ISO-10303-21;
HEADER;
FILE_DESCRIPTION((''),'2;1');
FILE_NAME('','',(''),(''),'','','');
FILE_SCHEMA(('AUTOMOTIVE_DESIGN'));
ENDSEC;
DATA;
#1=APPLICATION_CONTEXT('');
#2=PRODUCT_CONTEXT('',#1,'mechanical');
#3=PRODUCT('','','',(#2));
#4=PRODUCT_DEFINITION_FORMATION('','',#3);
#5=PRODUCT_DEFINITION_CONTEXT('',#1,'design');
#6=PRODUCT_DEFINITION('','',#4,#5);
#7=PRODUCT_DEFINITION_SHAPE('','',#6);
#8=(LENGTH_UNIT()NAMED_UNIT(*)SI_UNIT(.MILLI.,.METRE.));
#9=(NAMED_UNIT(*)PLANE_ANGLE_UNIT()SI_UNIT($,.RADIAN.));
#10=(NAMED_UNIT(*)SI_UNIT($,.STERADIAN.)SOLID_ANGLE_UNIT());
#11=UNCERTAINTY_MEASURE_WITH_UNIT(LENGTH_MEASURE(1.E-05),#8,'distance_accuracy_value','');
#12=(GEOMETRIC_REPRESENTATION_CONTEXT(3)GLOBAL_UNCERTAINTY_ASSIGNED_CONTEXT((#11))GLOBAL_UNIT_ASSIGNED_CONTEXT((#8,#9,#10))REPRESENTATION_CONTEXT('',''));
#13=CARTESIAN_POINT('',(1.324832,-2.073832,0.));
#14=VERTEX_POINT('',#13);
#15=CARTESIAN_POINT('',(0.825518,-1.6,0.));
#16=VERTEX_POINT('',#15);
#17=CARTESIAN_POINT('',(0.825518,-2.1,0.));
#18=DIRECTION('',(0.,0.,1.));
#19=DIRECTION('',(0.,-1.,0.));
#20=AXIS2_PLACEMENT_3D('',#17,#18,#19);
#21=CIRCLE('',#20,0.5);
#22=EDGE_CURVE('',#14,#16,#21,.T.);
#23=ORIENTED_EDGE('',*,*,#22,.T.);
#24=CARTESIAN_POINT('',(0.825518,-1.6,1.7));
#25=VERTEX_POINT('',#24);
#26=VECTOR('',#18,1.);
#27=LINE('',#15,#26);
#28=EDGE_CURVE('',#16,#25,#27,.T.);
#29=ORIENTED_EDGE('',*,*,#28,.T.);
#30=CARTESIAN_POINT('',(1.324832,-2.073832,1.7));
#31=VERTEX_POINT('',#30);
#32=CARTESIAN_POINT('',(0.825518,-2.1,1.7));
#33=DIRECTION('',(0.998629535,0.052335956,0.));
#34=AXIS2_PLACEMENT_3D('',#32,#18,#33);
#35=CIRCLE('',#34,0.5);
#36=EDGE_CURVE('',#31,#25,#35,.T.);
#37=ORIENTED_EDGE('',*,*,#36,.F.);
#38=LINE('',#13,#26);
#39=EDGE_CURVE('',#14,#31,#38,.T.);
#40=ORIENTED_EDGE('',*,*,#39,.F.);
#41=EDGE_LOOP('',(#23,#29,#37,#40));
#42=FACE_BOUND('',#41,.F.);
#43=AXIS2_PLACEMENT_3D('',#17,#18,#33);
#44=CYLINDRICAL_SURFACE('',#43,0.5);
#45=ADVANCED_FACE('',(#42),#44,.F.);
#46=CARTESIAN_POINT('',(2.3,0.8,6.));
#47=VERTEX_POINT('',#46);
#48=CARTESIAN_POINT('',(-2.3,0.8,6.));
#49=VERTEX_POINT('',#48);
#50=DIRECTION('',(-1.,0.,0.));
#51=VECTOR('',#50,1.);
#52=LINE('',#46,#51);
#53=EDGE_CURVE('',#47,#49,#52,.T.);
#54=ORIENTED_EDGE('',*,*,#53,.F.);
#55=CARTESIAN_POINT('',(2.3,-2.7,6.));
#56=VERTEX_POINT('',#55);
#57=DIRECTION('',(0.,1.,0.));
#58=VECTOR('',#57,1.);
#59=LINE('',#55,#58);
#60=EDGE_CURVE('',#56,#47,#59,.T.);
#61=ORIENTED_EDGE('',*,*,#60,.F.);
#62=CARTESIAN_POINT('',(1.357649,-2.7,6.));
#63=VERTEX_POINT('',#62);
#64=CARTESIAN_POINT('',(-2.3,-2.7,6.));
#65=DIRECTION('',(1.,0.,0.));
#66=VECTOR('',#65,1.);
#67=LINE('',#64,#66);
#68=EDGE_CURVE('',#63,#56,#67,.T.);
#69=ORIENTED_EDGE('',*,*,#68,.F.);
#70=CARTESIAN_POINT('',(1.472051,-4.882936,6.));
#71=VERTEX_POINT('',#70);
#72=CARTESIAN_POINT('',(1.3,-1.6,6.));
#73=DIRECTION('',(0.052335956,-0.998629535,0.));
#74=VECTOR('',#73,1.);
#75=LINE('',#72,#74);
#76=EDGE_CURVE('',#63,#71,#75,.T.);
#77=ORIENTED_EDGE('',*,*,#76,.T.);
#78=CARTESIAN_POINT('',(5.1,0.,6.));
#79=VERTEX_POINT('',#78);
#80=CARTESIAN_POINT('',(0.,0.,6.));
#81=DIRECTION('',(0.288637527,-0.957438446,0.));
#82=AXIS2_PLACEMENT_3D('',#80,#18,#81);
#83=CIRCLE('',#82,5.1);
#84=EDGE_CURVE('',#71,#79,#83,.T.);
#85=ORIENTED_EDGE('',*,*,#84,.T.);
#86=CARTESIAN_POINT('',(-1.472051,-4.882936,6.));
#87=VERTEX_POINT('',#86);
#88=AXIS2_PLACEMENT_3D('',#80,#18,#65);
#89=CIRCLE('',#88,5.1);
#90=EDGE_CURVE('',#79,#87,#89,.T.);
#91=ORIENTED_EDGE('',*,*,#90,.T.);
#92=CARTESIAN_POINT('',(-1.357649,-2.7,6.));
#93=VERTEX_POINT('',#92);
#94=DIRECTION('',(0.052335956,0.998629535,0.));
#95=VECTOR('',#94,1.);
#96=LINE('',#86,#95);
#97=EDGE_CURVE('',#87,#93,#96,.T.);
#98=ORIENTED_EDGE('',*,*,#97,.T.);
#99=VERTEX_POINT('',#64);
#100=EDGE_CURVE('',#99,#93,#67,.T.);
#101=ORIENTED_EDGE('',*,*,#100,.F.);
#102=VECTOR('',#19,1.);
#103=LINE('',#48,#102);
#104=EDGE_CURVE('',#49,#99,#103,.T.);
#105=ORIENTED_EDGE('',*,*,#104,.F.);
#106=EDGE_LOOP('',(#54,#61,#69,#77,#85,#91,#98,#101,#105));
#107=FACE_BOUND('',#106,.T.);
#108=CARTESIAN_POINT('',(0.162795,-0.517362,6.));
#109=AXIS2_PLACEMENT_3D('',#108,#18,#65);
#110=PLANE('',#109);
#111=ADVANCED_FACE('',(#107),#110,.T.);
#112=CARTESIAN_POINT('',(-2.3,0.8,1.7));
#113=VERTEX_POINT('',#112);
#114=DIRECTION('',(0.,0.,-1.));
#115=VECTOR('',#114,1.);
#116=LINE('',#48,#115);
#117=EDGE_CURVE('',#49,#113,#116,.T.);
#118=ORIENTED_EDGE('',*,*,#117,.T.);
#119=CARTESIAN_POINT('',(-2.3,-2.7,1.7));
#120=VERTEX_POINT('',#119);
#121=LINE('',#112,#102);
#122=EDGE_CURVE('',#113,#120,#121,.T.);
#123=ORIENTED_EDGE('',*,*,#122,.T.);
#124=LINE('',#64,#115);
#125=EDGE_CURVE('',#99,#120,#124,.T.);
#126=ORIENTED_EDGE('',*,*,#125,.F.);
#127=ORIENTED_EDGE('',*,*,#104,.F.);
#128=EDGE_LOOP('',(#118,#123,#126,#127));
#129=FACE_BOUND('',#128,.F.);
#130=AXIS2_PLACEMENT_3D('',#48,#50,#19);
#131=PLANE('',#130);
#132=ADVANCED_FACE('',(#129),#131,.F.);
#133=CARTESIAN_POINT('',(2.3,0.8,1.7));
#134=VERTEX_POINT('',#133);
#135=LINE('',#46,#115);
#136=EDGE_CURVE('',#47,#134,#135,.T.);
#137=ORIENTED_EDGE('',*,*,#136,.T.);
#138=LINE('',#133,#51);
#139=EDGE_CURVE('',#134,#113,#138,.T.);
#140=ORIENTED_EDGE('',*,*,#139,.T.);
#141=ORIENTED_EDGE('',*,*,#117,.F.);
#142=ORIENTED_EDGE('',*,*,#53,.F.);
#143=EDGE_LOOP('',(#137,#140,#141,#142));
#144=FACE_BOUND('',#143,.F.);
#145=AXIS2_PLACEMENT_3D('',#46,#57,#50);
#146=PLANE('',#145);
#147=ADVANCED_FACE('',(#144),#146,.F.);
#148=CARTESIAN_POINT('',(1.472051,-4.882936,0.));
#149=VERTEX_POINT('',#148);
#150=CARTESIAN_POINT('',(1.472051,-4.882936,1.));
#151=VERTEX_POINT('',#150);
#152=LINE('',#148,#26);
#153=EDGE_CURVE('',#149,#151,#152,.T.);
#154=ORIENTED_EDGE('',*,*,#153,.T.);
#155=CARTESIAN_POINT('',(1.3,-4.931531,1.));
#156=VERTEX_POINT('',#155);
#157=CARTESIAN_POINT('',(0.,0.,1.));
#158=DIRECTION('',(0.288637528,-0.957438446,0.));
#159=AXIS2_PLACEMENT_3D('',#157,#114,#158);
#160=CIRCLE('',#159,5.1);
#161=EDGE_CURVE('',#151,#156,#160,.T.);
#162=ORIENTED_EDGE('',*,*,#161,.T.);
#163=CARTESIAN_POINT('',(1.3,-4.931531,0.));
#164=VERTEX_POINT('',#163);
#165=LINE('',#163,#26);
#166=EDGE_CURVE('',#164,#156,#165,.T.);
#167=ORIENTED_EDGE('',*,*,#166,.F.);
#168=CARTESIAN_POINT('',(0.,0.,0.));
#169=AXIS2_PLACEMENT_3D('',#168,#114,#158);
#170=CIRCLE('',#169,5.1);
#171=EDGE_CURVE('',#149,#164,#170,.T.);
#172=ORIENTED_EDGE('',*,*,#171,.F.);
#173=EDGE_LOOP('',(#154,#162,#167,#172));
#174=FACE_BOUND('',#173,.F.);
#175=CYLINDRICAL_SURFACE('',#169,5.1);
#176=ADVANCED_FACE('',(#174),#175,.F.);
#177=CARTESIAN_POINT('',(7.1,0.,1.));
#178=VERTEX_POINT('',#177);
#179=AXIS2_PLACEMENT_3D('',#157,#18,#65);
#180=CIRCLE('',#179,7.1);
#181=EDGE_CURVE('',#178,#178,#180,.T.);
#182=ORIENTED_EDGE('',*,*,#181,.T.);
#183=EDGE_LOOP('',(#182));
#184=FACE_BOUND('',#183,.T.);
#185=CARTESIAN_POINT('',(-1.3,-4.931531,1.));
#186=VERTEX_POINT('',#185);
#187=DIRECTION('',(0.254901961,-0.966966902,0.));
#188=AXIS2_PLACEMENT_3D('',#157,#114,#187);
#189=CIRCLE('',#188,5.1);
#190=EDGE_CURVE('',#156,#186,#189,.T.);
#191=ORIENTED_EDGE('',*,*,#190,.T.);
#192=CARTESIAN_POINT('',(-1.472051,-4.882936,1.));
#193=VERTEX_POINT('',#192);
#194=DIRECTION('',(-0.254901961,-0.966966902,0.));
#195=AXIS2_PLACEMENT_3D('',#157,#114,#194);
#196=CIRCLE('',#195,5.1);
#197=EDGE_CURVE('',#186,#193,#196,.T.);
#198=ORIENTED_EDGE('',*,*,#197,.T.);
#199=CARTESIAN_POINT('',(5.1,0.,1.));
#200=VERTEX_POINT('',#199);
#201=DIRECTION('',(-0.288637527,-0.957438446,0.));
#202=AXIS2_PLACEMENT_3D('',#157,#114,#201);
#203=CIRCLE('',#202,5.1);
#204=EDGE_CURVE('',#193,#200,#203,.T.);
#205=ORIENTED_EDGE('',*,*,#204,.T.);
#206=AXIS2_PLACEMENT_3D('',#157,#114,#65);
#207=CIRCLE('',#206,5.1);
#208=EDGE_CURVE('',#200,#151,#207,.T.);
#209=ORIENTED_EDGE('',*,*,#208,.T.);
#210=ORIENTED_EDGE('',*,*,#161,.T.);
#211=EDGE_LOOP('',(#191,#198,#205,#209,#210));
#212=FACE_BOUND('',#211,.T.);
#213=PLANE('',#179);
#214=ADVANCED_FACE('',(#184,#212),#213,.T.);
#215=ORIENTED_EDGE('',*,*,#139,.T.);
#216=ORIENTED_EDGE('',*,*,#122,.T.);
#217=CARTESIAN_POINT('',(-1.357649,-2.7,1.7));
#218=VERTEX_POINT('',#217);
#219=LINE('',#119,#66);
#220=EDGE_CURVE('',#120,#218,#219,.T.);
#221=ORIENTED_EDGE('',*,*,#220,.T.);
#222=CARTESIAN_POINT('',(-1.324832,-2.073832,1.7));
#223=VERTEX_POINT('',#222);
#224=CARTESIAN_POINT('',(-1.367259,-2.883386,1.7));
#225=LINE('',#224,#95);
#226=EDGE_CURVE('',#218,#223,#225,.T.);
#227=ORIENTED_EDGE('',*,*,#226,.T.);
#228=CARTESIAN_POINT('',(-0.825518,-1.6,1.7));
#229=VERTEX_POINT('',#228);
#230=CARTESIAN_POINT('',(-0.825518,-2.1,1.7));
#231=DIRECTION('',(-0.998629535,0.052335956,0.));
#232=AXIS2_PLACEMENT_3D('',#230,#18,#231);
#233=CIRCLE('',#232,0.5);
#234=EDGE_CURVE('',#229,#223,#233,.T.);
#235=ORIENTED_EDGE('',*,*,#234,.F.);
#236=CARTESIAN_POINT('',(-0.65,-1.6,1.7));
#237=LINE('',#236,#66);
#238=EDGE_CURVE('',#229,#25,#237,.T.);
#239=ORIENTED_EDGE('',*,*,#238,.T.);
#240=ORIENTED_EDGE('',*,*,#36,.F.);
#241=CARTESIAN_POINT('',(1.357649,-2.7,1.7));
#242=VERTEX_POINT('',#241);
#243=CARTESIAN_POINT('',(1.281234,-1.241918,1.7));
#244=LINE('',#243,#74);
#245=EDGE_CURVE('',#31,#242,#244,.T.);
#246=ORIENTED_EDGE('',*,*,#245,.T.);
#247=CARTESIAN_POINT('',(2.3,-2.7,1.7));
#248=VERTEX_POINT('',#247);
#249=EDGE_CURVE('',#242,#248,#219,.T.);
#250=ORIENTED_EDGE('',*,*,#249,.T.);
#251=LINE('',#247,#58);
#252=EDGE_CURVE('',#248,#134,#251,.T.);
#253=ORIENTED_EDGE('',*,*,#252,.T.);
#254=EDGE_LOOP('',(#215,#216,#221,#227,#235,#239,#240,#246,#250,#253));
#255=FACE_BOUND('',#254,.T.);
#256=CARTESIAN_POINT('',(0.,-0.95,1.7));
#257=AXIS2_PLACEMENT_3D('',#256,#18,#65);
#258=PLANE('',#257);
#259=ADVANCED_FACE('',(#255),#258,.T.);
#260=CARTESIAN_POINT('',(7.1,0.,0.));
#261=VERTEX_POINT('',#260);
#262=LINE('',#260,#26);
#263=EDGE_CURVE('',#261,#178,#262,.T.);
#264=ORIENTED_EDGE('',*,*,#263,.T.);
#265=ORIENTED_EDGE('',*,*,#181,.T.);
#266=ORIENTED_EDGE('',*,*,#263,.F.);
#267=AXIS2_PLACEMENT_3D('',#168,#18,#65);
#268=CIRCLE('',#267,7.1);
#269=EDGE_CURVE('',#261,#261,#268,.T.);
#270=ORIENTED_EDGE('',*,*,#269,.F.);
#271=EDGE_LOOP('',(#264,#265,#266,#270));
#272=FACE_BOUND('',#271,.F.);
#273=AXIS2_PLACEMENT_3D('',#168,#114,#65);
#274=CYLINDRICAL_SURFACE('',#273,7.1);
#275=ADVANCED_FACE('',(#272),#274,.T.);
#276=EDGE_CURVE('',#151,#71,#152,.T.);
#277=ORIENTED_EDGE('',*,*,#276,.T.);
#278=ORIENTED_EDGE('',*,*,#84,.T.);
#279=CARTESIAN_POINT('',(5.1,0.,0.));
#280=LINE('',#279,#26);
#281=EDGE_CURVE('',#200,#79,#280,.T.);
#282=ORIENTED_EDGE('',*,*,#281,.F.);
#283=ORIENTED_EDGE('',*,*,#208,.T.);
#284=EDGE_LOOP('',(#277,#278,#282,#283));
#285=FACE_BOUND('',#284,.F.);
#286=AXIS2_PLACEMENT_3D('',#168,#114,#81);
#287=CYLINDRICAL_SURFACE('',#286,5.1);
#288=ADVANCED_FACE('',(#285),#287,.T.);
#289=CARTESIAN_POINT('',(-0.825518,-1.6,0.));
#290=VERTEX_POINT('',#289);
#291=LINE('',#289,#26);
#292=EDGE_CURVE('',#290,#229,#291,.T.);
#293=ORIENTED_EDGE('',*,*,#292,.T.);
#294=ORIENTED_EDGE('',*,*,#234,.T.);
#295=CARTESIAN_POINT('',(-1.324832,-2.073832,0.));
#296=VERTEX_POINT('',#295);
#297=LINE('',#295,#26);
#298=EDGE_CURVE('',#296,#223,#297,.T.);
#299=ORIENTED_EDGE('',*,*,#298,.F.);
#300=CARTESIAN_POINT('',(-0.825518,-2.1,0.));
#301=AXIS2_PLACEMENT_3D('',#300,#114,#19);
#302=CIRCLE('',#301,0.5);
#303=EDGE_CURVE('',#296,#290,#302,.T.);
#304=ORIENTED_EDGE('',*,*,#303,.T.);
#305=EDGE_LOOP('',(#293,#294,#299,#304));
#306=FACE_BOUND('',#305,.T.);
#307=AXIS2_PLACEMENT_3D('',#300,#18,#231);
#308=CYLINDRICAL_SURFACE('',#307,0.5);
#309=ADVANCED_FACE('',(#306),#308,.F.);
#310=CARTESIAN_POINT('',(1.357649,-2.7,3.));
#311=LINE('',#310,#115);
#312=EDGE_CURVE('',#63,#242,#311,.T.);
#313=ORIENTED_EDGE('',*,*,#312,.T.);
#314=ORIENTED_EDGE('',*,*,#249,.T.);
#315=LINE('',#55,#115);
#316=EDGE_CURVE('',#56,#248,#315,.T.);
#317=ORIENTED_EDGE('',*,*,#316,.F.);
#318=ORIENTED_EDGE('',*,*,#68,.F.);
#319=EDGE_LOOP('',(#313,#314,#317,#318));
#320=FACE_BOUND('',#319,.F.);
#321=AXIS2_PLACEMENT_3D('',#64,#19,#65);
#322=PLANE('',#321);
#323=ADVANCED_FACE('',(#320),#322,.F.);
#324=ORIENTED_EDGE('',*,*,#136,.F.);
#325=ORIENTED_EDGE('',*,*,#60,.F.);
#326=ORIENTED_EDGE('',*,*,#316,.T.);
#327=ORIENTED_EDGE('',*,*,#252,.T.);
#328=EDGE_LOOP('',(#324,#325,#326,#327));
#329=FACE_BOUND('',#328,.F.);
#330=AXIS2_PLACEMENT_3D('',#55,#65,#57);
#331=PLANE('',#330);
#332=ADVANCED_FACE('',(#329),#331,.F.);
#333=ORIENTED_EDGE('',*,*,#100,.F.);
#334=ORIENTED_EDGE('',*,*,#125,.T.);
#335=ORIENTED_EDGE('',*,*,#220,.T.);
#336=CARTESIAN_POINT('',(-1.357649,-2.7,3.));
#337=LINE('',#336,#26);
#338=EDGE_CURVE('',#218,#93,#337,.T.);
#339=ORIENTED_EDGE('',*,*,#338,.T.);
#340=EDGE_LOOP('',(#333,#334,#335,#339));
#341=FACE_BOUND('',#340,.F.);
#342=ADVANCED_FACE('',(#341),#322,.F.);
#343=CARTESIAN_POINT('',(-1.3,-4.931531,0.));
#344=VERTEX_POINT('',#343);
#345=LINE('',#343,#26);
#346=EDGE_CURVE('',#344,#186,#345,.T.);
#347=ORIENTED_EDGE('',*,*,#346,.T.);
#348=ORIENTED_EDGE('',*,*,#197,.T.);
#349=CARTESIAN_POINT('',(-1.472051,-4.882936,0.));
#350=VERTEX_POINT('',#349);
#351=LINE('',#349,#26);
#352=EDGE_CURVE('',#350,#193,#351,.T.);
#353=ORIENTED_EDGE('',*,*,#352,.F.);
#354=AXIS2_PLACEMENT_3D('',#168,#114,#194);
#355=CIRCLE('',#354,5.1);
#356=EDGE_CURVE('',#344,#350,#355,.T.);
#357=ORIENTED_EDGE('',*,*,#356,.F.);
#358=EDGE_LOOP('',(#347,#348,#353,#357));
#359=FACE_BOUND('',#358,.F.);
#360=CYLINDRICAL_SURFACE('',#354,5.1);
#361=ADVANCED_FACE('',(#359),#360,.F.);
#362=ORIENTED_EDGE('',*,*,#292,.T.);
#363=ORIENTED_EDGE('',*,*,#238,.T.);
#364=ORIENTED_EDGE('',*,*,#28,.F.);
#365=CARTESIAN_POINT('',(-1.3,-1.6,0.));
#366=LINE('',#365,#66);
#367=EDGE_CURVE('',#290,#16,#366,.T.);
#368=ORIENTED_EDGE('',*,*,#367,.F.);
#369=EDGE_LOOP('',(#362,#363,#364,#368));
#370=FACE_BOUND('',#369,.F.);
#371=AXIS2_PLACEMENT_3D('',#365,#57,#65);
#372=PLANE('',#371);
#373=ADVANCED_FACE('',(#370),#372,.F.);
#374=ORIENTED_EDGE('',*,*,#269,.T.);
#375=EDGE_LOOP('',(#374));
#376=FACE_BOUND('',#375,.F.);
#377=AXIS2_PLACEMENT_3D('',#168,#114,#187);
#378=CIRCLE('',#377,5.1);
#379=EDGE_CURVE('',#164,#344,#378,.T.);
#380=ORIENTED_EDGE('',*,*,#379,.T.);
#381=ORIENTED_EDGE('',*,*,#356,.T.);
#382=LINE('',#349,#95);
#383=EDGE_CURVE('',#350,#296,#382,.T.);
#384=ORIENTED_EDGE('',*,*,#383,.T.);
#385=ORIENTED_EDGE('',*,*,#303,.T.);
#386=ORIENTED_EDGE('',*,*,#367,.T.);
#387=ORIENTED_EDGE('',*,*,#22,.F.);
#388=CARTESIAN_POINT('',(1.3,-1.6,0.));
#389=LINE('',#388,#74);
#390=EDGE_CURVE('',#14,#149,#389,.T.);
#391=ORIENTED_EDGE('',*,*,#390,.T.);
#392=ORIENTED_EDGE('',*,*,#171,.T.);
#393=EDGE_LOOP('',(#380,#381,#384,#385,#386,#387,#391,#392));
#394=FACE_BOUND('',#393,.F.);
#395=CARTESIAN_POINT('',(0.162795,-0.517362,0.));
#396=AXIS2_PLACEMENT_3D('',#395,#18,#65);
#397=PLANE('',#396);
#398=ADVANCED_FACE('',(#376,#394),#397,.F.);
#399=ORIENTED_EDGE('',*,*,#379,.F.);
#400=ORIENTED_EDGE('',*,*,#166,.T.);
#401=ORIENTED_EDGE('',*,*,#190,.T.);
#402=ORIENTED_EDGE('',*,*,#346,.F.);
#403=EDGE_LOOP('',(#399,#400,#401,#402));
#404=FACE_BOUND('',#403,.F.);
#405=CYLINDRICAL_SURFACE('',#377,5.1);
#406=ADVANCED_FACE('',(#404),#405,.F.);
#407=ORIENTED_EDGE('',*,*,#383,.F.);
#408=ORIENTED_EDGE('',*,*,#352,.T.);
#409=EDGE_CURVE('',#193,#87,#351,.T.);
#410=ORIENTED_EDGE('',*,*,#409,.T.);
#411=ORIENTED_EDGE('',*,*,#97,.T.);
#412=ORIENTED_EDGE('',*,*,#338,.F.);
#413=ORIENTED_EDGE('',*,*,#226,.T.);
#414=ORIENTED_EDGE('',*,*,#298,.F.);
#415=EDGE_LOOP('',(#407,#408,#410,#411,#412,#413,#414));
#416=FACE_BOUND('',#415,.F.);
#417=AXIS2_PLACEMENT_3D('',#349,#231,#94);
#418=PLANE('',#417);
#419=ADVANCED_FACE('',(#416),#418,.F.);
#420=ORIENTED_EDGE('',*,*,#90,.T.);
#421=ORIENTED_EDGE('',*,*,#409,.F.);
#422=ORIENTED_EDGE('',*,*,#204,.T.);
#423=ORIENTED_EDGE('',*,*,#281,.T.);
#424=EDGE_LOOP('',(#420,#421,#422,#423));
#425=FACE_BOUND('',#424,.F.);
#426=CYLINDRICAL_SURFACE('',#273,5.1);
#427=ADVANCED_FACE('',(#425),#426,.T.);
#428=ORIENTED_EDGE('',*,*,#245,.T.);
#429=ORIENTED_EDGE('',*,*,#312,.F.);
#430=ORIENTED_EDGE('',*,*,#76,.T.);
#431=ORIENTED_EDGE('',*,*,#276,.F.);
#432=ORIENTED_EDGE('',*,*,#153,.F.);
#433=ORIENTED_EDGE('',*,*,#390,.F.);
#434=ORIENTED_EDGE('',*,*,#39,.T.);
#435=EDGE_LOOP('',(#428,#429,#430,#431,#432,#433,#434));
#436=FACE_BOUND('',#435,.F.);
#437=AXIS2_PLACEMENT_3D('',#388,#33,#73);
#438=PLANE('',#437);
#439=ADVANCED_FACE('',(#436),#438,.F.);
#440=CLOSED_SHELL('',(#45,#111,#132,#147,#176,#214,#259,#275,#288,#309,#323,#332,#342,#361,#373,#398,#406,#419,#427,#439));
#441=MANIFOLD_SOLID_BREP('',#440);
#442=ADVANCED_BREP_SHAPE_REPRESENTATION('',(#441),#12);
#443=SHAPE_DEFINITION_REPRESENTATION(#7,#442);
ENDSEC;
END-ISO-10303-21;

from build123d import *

# Parameters (mm, degrees)
F0_R     = 7.1
F1_DEPTH = 1
F2_DEPTH = 6
F3_R     = 0.5
F6_DEPTH = 4.3


with BuildPart() as f1:
    # F0 (on Top) → F1 (new body)
    with BuildSketch(Plane.XY):
        Circle(F0_R)
        with BuildLine():
            ThreePointArc((-1.4720513892, -4.8829360745), (-3.0415898733, 4.0937429136), (5.1, 0))
            ThreePointArc((5.1, 0), (4.0937429136, -3.0415898733), (1.4720513892, -4.8829360745))
            ThreePointArc((1.4720513892, -4.8829360745), (1.3862386511, -4.9079876123), (1.3, -4.9315312024))
            ThreePointArc((1.3, -4.9315312024), (0, -5.1), (-1.3, -4.9315312024))
            ThreePointArc((-1.3, -4.9315312024), (-1.3862386511, -4.9079876123), (-1.4720513892, -4.8829360745))
        make_face(mode=Mode.SUBTRACT)
    extrude(amount=F1_DEPTH)

    # F0 (on Top) → F2 (join)
    with BuildSketch(Plane.XY):
        with BuildLine():
            ThreePointArc((1.4720513892, -4.8829360745), (4.0937429136, -3.0415898733), (5.1, 0))
            ThreePointArc((5.1, 0), (-3.0415898733, 4.0937429136), (-1.4720513892, -4.8829360745))
            Line((-1.4720513892, -4.8829360745), (-1.3, -1.6))
            Line((-1.3, -1.6), (1.3, -1.6))
            Line((1.3, -1.6), (1.4720513892, -4.8829360745))
        make_face()
    extrude(amount=F2_DEPTH)

    # F3
    f3_edges = [f1.edges().sort_by_distance(p)[0] for p in [
        (-1.3, -1.6, 3),
        (1.3, -1.6, 3),
    ]]
    fillet(f3_edges, radius=F3_R)

    # F5 (on offset) → F6 (cut)
    with BuildSketch(Plane.XY.offset(6)):
        Polygon((2.3, 0.8), (-2.3, 0.8), (-2.3, -2.7), (-1.3, -2.7), (1.3, -2.7), (2.3, -2.7), align=None)
    extrude(amount=-F6_DEPTH, mode=Mode.SUBTRACT)


solid = f1.part
